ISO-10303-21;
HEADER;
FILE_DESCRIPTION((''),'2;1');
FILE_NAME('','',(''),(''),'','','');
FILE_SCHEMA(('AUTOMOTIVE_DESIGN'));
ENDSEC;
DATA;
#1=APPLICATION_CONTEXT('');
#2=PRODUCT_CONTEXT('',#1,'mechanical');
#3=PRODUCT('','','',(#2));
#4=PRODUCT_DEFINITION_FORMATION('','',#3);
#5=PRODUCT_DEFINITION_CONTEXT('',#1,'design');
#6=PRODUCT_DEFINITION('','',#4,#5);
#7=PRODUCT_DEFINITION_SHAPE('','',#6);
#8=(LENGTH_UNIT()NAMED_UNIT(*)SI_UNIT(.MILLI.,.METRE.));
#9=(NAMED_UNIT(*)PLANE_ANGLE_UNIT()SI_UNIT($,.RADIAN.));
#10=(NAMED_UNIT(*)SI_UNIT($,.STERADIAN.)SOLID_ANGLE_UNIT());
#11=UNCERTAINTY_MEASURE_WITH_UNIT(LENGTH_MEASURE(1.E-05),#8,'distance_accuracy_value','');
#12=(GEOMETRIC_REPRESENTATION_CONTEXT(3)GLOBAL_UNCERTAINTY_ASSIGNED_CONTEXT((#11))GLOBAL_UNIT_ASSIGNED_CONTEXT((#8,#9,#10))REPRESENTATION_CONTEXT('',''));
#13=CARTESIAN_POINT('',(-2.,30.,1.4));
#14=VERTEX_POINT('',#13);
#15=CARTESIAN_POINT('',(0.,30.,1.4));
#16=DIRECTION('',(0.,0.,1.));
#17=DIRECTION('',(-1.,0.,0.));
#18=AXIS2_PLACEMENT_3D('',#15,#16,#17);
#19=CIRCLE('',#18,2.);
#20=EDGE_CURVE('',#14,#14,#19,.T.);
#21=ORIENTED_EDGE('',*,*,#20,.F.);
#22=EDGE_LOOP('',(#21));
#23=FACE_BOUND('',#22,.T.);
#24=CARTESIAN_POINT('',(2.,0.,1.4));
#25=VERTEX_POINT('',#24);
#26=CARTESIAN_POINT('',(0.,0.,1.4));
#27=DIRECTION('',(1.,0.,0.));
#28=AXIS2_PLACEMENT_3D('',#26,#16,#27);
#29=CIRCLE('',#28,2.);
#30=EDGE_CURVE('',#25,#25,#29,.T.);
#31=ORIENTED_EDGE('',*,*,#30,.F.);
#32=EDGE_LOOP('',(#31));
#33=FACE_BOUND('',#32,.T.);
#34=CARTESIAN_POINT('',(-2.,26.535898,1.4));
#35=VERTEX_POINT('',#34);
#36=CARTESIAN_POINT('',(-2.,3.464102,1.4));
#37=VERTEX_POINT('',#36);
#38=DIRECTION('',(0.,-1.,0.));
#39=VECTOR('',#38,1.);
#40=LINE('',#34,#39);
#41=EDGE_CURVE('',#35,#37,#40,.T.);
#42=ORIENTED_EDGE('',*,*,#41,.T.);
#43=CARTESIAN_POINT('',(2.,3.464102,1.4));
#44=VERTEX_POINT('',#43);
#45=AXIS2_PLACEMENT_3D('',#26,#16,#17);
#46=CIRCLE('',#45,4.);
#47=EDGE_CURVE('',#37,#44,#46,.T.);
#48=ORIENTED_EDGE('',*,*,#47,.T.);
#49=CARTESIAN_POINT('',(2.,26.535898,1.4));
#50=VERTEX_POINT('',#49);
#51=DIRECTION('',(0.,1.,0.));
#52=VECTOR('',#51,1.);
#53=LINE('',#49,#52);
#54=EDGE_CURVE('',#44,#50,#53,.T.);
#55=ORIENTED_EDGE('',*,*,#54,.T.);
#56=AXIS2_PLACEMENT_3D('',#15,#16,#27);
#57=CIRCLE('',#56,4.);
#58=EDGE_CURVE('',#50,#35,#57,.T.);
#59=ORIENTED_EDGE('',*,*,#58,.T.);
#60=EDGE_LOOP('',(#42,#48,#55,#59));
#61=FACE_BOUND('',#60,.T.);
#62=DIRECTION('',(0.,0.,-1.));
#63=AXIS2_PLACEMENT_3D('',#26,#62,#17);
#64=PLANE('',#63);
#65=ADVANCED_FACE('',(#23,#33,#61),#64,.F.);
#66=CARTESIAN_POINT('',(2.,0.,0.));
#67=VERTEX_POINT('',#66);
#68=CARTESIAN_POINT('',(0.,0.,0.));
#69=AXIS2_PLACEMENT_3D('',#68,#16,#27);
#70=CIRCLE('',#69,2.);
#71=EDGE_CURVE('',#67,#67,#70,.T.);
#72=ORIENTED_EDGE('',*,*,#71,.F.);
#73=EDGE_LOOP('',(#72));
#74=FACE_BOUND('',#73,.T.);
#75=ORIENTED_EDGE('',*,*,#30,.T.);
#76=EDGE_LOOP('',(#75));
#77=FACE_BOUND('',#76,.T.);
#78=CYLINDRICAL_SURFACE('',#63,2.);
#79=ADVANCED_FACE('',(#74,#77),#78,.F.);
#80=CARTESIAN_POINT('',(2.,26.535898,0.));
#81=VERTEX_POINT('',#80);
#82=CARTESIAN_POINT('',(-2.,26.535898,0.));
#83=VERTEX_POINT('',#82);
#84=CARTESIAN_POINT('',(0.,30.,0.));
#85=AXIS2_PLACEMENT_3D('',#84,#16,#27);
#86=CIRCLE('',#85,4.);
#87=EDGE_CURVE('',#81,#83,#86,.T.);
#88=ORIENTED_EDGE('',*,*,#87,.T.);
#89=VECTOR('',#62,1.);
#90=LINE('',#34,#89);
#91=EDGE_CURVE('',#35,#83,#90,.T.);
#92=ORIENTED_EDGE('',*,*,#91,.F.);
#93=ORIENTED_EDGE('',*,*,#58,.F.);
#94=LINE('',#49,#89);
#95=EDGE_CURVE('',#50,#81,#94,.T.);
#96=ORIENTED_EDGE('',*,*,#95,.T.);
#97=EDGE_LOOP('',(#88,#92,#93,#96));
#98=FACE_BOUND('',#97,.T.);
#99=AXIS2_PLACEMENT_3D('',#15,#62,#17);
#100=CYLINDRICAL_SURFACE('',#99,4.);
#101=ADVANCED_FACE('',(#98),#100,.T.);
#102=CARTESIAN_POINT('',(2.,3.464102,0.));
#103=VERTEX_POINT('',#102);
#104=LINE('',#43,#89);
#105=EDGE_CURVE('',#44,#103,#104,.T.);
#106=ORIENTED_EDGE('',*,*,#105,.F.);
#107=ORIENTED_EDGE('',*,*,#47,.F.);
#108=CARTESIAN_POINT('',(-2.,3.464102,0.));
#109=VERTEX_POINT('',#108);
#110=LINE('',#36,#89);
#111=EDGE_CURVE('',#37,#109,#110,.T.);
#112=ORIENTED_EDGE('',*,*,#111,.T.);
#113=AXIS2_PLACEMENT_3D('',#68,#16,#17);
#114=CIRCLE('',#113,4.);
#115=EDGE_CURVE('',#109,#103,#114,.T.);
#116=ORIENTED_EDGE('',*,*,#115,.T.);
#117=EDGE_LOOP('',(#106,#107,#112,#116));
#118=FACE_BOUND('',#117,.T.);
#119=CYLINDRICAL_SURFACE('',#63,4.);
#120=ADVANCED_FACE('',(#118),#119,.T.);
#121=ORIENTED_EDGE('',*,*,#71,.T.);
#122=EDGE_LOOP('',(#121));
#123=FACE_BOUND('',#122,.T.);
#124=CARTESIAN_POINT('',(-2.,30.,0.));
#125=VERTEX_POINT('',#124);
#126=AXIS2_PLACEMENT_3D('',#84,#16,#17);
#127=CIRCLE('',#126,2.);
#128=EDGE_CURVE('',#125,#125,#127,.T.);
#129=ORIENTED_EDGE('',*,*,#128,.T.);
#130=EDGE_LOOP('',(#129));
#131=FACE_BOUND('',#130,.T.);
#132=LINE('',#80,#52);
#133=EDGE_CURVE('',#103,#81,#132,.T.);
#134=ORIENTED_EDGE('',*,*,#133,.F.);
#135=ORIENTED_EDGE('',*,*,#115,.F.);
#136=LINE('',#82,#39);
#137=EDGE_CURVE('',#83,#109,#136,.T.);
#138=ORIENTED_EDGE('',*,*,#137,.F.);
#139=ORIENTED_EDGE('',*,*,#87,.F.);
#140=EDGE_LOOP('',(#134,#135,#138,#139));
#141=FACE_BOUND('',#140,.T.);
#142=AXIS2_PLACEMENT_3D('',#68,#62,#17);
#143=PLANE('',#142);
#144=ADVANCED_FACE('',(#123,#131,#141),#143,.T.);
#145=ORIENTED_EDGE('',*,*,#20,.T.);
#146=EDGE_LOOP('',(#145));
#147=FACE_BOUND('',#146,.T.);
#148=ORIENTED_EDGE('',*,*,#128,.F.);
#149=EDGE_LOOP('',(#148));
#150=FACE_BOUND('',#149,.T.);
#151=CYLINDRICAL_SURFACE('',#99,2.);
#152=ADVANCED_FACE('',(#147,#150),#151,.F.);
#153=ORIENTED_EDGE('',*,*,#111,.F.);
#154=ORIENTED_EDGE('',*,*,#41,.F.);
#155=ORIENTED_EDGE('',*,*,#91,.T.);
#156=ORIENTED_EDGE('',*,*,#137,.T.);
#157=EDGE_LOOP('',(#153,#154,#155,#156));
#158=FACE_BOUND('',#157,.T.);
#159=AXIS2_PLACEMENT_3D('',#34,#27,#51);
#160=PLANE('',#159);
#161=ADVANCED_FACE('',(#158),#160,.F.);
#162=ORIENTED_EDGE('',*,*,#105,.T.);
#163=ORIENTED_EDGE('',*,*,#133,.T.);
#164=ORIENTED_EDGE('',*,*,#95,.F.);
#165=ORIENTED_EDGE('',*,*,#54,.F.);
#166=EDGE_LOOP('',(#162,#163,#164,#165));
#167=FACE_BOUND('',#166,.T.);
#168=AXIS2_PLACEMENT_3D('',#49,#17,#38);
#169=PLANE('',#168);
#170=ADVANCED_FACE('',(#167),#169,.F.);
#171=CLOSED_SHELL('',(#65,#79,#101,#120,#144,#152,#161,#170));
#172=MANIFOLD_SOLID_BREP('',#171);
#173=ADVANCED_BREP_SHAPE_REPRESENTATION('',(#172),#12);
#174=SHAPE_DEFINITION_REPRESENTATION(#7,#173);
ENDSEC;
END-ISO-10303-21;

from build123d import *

# Parameters (mm, degrees)
SKETCH1_R           = 2
BOSS_EXTRUDE1_DEPTH = 1.4


with BuildPart() as part:
    # Sketch1 → Boss-Extrude1 (new body)
    with BuildSketch(Plane.XY):
        with BuildLine():
            Line((-2, 26.535898385), (-2, 3.464101615))
            ThreePointArc((-2, 3.464101615), (0, -4), (2, 3.464101615))
            Line((2, 3.464101615), (2, 26.535898385))
            ThreePointArc((2, 26.535898385), (0, 34), (-2, 26.535898385))
        make_face()
        Circle(SKETCH1_R, mode=Mode.SUBTRACT)
        with Locations((0, 30)):
            Circle(SKETCH1_R, mode=Mode.SUBTRACT)
    extrude(amount=BOSS_EXTRUDE1_DEPTH)


solid = part.part
